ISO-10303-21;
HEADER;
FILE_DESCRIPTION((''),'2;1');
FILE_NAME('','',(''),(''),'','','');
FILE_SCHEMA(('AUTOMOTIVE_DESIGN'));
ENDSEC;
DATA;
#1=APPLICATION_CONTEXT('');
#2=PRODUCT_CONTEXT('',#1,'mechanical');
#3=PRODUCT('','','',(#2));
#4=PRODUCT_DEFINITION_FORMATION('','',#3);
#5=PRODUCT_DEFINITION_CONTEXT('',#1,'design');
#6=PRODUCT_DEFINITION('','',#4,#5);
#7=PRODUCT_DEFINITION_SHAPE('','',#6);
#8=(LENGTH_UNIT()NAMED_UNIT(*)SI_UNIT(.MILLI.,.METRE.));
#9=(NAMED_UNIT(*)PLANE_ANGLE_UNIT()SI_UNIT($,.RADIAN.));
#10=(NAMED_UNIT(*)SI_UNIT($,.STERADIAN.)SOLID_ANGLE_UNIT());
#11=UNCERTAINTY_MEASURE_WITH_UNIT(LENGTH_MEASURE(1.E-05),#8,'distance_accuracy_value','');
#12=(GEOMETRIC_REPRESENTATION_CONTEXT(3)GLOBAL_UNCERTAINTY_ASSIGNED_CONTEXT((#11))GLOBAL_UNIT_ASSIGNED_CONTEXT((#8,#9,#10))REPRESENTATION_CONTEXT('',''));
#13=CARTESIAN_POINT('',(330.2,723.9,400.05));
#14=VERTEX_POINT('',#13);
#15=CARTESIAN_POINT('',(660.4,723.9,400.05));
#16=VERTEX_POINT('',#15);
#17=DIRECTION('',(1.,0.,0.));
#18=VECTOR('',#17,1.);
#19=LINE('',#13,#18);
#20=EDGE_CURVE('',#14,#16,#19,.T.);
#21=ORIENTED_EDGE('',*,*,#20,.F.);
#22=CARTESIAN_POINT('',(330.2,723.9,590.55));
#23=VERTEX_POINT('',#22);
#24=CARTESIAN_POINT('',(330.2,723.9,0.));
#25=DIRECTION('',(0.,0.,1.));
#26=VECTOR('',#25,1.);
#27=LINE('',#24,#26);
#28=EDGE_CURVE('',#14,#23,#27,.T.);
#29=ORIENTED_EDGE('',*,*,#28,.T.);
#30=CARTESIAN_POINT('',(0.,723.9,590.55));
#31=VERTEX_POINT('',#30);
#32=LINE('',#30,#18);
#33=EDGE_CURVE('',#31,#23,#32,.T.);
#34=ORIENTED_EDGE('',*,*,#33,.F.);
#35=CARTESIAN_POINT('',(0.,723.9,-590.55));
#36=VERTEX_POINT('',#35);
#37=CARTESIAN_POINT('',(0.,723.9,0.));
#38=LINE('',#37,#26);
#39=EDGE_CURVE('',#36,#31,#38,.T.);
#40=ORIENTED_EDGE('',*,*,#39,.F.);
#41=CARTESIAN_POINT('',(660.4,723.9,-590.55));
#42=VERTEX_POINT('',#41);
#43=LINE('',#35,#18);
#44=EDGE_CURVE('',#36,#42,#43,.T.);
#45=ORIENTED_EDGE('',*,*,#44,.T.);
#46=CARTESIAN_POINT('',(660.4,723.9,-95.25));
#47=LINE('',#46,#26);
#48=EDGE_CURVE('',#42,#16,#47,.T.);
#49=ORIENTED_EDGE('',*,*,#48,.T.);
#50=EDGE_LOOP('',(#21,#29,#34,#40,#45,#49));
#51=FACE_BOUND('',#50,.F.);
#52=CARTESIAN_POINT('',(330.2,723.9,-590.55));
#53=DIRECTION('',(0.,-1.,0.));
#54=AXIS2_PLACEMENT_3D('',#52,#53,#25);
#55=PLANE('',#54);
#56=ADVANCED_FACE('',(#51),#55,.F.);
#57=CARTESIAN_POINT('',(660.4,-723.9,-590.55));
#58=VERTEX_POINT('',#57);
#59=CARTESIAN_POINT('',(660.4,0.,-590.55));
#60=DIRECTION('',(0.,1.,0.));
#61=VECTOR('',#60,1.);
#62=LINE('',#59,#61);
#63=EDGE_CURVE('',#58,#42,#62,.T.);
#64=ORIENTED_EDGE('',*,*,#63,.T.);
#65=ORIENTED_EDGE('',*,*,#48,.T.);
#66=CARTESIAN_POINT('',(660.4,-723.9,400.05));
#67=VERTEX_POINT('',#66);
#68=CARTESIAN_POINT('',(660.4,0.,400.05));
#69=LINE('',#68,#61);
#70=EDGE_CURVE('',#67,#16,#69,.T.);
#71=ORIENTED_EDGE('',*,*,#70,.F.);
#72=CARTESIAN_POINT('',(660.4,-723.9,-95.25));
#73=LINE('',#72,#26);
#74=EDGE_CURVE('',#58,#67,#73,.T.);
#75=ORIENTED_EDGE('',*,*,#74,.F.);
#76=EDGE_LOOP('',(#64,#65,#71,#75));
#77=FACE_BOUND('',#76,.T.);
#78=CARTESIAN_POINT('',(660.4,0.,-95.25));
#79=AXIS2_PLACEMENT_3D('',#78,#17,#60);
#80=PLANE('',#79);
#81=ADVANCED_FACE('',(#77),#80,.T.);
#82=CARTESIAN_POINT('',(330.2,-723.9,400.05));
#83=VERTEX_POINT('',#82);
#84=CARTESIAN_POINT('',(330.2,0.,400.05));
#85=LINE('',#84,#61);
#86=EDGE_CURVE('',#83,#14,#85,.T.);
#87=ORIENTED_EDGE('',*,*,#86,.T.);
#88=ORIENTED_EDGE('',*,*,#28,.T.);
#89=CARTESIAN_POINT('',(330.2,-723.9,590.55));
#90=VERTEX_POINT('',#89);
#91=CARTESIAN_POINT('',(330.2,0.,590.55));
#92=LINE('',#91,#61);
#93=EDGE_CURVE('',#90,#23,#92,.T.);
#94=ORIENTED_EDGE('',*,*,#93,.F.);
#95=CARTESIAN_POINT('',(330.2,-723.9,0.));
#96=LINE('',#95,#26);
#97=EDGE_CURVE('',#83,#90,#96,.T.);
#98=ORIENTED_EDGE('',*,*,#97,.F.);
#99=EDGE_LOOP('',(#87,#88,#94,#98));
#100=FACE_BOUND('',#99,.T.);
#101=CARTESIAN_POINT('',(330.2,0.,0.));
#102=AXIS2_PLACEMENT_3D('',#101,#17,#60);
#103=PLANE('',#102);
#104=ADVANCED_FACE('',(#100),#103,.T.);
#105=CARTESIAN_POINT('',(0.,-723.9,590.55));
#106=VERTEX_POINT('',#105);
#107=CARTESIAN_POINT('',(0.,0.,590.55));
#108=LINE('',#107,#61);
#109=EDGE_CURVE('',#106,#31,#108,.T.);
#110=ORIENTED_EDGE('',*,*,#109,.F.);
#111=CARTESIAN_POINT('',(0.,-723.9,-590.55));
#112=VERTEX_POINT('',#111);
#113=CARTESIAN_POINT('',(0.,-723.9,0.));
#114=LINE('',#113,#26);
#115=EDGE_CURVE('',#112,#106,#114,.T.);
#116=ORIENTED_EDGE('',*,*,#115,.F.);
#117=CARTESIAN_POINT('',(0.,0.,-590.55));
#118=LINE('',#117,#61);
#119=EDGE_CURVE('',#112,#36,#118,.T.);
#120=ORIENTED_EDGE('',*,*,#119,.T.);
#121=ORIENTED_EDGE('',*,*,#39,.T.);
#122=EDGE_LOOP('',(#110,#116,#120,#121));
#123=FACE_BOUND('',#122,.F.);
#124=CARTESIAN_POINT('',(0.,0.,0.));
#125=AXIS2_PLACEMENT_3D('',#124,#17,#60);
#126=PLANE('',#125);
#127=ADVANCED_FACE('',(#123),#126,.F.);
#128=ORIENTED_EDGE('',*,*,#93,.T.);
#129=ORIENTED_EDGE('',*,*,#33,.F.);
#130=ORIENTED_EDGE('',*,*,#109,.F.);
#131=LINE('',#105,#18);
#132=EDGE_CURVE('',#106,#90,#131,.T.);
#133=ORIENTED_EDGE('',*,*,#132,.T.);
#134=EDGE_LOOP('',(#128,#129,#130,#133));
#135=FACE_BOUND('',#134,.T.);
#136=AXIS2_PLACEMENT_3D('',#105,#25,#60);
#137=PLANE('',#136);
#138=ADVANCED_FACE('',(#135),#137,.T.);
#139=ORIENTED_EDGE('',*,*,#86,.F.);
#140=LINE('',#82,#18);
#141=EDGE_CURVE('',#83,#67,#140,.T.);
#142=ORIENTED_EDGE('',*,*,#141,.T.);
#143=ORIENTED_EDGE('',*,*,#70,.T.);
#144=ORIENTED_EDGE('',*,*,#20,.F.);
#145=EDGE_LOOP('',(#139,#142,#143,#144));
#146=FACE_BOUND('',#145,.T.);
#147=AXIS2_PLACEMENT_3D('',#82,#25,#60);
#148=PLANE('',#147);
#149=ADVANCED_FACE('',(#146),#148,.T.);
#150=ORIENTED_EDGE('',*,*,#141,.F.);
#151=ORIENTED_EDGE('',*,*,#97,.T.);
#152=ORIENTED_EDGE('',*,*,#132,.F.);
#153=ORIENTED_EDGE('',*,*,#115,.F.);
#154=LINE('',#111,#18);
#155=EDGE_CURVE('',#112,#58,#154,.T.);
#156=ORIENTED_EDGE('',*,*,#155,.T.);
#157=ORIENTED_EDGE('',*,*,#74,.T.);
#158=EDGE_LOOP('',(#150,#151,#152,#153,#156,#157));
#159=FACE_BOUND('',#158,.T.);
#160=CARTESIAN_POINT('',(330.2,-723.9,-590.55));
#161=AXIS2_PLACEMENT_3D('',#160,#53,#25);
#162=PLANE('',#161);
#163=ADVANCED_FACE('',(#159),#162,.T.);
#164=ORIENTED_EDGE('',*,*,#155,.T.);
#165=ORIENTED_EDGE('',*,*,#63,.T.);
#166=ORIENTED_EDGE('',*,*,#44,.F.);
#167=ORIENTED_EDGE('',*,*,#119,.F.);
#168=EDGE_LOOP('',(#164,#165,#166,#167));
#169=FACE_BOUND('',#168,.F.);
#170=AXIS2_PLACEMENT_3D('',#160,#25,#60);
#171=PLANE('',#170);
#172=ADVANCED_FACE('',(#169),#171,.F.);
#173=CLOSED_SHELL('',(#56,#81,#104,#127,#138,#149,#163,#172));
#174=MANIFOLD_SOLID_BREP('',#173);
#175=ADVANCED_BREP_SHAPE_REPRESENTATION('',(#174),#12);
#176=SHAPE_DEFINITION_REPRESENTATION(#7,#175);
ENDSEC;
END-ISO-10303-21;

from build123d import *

# Parameters (mm, degrees)
F0_W     = 1447.8
F0_H     = 1181.1
F1_DEPTH = 330.2
F2_W     = 1447.8
F2_H     = 990.6
F3_DEPTH = 330.2


with BuildPart() as f1:
    # F0 (on Right) → F1 (new body)
    with BuildSketch(Plane.YZ):
        Rectangle(F0_W, F0_H)
    extrude(amount=F1_DEPTH)

    # F2 (on face) → F3 (join)
    with BuildSketch(Plane.YZ.offset(330.2)):
        with Locations((0, -95.25)):
            Rectangle(F2_W, F2_H)
    extrude(amount=F3_DEPTH)


solid = f1.part
